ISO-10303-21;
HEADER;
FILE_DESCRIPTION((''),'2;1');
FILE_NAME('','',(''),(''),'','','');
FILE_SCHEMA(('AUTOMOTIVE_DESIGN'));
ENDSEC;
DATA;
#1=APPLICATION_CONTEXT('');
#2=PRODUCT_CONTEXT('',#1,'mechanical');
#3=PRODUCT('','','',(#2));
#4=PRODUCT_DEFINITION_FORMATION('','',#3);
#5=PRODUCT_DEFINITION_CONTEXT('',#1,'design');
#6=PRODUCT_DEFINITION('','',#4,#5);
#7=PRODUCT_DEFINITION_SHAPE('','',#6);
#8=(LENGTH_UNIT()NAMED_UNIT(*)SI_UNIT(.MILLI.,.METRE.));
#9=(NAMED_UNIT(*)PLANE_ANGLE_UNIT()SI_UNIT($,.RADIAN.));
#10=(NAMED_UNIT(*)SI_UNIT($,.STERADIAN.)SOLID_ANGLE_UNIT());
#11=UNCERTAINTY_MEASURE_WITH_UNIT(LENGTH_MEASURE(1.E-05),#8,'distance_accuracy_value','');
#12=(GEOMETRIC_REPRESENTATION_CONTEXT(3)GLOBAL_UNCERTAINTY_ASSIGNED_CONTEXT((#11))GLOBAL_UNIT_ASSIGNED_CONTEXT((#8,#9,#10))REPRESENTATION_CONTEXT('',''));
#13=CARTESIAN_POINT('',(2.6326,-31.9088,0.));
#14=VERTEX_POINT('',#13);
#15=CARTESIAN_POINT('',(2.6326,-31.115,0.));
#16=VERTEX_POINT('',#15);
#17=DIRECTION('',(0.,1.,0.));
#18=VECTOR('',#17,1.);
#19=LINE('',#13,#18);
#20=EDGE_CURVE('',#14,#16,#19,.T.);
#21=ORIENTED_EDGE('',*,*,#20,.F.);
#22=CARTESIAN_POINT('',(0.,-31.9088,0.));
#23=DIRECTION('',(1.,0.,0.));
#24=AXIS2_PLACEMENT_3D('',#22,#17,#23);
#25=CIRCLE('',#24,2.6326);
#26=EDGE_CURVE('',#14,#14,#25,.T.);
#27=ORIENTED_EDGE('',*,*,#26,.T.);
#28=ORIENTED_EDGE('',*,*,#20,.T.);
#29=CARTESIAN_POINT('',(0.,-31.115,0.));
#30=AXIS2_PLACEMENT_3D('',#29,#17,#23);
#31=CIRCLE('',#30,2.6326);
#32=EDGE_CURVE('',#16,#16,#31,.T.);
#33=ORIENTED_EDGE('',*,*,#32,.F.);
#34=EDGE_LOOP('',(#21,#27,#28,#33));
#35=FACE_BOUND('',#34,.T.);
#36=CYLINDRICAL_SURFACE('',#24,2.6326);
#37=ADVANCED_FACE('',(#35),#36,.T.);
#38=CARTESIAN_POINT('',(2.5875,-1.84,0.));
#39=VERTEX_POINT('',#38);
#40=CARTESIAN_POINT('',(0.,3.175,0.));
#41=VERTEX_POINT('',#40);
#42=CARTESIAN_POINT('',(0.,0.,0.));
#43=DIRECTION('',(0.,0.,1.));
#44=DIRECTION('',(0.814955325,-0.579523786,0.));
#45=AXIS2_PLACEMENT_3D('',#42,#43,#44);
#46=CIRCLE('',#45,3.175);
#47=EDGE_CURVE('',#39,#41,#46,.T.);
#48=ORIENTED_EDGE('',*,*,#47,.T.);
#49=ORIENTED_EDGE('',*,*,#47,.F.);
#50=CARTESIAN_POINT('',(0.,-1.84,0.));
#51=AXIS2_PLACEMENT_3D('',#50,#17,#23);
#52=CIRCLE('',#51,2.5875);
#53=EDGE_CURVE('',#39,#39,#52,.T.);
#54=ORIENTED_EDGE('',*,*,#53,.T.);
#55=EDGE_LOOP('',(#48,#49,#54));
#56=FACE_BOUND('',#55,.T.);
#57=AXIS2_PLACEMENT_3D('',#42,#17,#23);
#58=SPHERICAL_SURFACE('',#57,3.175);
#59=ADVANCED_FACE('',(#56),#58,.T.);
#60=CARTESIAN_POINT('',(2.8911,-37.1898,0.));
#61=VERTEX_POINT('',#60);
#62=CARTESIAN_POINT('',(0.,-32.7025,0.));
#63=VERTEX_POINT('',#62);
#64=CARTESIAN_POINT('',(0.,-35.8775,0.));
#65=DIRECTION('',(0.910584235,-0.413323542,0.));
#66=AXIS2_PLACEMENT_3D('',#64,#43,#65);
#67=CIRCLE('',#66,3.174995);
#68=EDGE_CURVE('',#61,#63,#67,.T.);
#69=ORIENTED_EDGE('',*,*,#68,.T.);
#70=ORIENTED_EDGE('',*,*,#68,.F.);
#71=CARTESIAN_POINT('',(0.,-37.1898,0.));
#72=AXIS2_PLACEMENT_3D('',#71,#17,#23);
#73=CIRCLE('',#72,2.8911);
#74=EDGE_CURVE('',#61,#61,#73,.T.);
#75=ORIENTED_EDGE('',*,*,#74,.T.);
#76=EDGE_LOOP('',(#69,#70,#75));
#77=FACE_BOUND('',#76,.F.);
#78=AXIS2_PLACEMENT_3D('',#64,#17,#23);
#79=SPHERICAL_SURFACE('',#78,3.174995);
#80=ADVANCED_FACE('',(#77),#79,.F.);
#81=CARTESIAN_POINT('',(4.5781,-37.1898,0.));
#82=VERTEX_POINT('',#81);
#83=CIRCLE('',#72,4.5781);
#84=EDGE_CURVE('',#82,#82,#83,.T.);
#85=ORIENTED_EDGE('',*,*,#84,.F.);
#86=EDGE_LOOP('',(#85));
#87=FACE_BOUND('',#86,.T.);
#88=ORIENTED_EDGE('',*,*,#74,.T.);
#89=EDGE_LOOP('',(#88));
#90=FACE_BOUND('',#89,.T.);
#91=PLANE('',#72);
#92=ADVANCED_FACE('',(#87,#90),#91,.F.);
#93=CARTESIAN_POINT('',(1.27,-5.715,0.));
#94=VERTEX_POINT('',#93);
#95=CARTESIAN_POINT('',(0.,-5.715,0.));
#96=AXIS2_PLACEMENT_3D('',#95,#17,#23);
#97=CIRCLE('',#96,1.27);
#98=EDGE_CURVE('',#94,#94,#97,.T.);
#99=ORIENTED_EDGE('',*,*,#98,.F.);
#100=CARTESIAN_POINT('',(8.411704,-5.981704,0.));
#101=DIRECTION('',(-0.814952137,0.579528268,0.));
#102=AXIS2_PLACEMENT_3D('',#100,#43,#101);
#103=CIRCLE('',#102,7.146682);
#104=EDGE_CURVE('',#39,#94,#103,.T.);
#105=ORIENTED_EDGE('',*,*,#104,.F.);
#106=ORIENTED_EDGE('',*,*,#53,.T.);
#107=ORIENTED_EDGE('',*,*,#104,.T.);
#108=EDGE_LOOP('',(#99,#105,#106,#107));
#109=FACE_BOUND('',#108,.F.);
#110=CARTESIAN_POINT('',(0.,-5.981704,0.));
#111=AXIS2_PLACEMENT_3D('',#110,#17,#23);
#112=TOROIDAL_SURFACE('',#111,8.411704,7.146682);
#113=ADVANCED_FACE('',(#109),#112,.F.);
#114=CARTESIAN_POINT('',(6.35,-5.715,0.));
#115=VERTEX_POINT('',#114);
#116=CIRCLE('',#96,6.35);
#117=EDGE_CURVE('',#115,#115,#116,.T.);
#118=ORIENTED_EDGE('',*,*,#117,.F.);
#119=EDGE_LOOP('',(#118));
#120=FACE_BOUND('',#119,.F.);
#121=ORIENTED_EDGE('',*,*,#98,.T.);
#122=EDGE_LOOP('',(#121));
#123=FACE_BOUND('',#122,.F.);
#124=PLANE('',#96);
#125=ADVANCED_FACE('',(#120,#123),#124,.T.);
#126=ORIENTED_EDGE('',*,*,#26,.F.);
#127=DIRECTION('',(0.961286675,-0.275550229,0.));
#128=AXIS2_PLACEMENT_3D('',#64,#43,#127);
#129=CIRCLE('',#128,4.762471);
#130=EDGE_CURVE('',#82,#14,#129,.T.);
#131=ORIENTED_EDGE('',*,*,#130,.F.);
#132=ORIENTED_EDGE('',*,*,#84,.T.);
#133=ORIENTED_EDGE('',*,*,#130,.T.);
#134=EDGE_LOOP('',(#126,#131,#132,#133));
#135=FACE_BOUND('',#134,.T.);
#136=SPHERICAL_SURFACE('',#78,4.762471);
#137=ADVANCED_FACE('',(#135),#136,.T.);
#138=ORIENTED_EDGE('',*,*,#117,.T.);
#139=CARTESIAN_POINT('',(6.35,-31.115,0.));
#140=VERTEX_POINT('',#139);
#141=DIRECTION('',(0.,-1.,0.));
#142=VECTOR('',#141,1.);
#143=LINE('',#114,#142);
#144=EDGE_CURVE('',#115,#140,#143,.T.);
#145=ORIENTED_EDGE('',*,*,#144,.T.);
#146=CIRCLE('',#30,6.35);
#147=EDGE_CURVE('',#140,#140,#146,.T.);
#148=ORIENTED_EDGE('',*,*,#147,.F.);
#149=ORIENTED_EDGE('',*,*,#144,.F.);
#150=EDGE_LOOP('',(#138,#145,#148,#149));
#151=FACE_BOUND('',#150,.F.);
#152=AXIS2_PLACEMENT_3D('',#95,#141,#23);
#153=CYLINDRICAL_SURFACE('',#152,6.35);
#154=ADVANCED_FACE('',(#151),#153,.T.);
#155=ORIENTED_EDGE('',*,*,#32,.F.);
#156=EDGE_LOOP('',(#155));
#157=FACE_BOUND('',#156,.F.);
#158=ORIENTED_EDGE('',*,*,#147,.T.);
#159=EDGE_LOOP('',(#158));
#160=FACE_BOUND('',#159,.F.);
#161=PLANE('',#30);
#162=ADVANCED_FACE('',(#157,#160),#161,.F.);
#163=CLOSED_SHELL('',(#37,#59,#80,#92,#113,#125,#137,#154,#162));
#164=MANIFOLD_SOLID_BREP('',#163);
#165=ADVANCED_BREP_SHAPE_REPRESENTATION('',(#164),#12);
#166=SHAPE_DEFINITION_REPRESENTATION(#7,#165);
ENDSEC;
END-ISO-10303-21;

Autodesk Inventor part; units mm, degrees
ref_plane "YZ Plane" through (0, 0, 0) normal (1, 0, 0) x (0, 1, 0)
ref_plane "XZ Plane" through (0, 0, 0) normal (0, 1, 0) x (-1, 0, 0)
ref_plane "XY Plane" through (0, 0, 0) normal (0, 0, 1) x (1, 0, 0)
sketch "Sketch2" plane through (0, 0, 0) normal (0, 0, 1) x (1, 0, 0)
  circle A0 centre (0, 0) radius 3.175
  line L0 (-6.35, -5.715) -> (6.35, -5.715)
  line L1 (6.35, -5.715) -> (6.35, -31.115)
  line L2 (6.35, -31.115) -> (-6.35, -31.115)
  line L3 (-6.35, -31.115) -> (-6.35, -5.715)
  line L4 (-6.35, -5.715) -> (6.35, -31.115) construction
  line L5 (6.35, -5.715) -> (-6.35, -31.115) construction
  line L6 (0, -3.175) -> (0, -5.715)
  line L7 (0, -5.715) -> (1.27, -5.715)
  line L8 (1.27, -5.715) -> (-1.27, -5.715)
  arc A1 (-1.27, -5.715) -> (-2.6064, -1.8131) centre (-8.7785, -6.1069) ccw
  arc A2 (2.5875, -1.84) -> (1.27, -5.715) centre (8.4115, -5.9816) ccw
  line L9 (0, -31.115) -> (0, -32.7025)
  arc A3 (4.5781, -37.1898) -> (-4.5781, -37.1898) centre (0, -35.8775) ccw
  arc A4 (2.8911, -37.1898) -> (-2.8911, -37.1898) centre (0, -35.8775) ccw
  line L10 (0, -31.115) -> (0, -36.703)
  line L11 (2.8911, -37.1898) -> (4.5781, -37.1898)
  line L12 (4.5781, -37.1898) -> (2.8911, -37.1898)
  line L13 (-2.8911, -37.1898) -> (-4.5781, -37.1898)
  line L14 (0, -32.7025) -> (0, 3.175)
  line L15 (2.6326, -31.9088) -> (2.6326, -31.115)
  line L16 (-2.6326, -31.9088) -> (-2.6326, -31.115)
  point P0 (0, -18.415)
  point P1 (0, -31.115)
  point P2 (0, -31.115)
  point P3 (0, -5.715)
  dimension "d25" = 6.35
  dimension "d27" = 12.7
  dimension "d28" = 25.4
  dimension "d29" = 2.54
  dimension "d30" = 1.27
  dimension "d31" = 2.54
  dimension "d34" = 5.588
  dimension "d36" = 4.7625
  dimension "d37" = 3.175
revolve "Revolution2" add sketch "Sketch2" angle 360 about axis through (0, -32.7025, 0) along (0, 1, 0) picked at (1.1451, 0.9452) contours A0 L14 | A2 L0 L6 A0 | L0 L1 L2 L14 | A3 L11 A4 L9 | L2 L15 A3
properties part number "octopus tentacles"
